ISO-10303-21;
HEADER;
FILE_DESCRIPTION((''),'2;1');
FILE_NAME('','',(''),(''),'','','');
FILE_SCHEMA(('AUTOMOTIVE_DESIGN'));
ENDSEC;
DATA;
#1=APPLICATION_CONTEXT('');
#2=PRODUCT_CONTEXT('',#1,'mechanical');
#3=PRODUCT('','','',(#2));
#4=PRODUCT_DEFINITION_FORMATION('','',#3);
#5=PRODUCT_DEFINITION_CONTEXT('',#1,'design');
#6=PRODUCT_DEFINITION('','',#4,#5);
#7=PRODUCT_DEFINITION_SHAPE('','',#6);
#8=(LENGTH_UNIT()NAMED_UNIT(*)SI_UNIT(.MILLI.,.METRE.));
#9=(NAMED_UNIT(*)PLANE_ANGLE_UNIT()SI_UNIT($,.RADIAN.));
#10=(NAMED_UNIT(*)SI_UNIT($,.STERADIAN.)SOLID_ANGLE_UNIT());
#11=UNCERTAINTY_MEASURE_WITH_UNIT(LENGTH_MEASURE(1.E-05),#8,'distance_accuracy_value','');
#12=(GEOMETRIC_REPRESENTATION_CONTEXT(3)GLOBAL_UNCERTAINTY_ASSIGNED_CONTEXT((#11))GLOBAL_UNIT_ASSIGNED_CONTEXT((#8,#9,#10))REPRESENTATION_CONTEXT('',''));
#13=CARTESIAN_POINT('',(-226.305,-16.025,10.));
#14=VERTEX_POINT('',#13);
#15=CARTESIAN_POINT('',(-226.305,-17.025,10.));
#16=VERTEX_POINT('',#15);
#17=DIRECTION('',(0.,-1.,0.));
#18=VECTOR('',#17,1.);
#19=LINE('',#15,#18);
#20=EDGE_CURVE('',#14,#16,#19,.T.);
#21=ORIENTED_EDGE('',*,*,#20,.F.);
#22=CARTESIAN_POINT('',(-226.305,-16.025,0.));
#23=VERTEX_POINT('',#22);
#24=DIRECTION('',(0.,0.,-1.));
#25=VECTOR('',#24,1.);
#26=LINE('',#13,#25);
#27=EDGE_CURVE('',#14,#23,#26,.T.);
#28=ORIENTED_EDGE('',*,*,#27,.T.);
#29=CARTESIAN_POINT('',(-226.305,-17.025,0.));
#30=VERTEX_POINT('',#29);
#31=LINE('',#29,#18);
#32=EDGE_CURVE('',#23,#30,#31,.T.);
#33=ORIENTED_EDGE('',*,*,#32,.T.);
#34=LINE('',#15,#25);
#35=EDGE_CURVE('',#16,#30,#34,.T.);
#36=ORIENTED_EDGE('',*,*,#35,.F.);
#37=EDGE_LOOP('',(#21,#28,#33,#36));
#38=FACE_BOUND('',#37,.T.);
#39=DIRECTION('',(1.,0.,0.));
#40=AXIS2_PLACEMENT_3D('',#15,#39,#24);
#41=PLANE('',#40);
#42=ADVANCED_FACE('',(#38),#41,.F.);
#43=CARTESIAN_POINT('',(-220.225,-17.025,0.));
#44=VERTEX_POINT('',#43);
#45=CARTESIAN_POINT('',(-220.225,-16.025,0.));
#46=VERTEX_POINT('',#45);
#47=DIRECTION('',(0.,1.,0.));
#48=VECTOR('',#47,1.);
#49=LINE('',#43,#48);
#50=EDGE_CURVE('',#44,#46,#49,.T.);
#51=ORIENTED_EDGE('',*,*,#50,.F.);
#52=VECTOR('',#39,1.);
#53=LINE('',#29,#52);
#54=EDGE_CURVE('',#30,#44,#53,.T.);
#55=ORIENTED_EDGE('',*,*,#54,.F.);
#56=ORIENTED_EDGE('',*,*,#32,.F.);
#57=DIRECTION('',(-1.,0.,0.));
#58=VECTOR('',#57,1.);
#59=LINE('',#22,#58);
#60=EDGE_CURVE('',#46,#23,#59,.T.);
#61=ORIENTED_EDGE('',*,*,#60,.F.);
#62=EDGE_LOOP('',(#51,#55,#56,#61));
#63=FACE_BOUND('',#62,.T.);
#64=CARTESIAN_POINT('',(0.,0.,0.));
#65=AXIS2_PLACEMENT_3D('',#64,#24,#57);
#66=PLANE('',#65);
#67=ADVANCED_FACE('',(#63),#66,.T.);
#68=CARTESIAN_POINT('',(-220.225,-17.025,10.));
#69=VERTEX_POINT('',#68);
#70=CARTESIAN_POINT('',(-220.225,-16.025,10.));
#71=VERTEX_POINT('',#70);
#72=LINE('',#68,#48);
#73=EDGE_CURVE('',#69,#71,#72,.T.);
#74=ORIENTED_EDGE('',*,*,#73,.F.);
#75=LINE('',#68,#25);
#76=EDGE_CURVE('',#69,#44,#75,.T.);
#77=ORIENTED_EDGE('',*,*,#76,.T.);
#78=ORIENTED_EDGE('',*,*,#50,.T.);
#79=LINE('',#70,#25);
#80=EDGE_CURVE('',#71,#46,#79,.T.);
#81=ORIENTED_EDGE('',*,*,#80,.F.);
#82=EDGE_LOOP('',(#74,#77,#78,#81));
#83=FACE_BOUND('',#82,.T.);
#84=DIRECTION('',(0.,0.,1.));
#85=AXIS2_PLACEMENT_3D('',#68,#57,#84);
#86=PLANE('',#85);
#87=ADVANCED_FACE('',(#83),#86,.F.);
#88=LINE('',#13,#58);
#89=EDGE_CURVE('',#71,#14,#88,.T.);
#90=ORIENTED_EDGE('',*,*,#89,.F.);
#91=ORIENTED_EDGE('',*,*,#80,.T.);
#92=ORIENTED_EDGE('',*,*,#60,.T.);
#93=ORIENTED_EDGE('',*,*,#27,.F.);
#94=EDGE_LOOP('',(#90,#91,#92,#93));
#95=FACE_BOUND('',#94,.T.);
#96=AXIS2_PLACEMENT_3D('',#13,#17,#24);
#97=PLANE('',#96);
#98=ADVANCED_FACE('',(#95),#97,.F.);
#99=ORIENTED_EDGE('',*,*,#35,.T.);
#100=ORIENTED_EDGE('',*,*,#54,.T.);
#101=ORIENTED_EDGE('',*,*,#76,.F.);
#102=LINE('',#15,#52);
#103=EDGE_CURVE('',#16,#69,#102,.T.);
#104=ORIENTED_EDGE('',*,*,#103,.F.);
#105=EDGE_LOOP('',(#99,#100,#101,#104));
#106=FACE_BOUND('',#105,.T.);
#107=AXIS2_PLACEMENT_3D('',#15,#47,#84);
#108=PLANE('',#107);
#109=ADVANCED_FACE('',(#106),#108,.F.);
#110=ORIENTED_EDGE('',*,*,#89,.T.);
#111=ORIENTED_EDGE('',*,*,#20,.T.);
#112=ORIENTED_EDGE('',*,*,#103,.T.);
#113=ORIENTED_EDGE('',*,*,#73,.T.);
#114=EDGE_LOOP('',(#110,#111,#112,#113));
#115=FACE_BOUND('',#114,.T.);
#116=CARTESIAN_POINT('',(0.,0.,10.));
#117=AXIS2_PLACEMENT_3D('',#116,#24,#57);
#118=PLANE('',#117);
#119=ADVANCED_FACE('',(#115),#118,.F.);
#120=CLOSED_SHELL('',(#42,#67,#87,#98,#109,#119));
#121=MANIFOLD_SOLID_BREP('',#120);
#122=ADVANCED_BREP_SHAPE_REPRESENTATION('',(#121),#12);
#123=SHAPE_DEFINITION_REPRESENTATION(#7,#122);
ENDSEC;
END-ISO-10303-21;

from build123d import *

# Parameters (mm, degrees)
SKIZZE1_W                       = 6.08
SKIZZE1_H                       = 1
AUFSATZ_LINEAR_AUSTRAGEN1_DEPTH = 10


with BuildPart() as part:
    # Skizze1 → Aufsatz-Linear austragen1 (new body)
    with BuildSketch(Plane.XY):
        with Locations((-223.265, -16.525)):
            Rectangle(SKIZZE1_W, SKIZZE1_H)
    extrude(amount=AUFSATZ_LINEAR_AUSTRAGEN1_DEPTH)


solid = part.part
